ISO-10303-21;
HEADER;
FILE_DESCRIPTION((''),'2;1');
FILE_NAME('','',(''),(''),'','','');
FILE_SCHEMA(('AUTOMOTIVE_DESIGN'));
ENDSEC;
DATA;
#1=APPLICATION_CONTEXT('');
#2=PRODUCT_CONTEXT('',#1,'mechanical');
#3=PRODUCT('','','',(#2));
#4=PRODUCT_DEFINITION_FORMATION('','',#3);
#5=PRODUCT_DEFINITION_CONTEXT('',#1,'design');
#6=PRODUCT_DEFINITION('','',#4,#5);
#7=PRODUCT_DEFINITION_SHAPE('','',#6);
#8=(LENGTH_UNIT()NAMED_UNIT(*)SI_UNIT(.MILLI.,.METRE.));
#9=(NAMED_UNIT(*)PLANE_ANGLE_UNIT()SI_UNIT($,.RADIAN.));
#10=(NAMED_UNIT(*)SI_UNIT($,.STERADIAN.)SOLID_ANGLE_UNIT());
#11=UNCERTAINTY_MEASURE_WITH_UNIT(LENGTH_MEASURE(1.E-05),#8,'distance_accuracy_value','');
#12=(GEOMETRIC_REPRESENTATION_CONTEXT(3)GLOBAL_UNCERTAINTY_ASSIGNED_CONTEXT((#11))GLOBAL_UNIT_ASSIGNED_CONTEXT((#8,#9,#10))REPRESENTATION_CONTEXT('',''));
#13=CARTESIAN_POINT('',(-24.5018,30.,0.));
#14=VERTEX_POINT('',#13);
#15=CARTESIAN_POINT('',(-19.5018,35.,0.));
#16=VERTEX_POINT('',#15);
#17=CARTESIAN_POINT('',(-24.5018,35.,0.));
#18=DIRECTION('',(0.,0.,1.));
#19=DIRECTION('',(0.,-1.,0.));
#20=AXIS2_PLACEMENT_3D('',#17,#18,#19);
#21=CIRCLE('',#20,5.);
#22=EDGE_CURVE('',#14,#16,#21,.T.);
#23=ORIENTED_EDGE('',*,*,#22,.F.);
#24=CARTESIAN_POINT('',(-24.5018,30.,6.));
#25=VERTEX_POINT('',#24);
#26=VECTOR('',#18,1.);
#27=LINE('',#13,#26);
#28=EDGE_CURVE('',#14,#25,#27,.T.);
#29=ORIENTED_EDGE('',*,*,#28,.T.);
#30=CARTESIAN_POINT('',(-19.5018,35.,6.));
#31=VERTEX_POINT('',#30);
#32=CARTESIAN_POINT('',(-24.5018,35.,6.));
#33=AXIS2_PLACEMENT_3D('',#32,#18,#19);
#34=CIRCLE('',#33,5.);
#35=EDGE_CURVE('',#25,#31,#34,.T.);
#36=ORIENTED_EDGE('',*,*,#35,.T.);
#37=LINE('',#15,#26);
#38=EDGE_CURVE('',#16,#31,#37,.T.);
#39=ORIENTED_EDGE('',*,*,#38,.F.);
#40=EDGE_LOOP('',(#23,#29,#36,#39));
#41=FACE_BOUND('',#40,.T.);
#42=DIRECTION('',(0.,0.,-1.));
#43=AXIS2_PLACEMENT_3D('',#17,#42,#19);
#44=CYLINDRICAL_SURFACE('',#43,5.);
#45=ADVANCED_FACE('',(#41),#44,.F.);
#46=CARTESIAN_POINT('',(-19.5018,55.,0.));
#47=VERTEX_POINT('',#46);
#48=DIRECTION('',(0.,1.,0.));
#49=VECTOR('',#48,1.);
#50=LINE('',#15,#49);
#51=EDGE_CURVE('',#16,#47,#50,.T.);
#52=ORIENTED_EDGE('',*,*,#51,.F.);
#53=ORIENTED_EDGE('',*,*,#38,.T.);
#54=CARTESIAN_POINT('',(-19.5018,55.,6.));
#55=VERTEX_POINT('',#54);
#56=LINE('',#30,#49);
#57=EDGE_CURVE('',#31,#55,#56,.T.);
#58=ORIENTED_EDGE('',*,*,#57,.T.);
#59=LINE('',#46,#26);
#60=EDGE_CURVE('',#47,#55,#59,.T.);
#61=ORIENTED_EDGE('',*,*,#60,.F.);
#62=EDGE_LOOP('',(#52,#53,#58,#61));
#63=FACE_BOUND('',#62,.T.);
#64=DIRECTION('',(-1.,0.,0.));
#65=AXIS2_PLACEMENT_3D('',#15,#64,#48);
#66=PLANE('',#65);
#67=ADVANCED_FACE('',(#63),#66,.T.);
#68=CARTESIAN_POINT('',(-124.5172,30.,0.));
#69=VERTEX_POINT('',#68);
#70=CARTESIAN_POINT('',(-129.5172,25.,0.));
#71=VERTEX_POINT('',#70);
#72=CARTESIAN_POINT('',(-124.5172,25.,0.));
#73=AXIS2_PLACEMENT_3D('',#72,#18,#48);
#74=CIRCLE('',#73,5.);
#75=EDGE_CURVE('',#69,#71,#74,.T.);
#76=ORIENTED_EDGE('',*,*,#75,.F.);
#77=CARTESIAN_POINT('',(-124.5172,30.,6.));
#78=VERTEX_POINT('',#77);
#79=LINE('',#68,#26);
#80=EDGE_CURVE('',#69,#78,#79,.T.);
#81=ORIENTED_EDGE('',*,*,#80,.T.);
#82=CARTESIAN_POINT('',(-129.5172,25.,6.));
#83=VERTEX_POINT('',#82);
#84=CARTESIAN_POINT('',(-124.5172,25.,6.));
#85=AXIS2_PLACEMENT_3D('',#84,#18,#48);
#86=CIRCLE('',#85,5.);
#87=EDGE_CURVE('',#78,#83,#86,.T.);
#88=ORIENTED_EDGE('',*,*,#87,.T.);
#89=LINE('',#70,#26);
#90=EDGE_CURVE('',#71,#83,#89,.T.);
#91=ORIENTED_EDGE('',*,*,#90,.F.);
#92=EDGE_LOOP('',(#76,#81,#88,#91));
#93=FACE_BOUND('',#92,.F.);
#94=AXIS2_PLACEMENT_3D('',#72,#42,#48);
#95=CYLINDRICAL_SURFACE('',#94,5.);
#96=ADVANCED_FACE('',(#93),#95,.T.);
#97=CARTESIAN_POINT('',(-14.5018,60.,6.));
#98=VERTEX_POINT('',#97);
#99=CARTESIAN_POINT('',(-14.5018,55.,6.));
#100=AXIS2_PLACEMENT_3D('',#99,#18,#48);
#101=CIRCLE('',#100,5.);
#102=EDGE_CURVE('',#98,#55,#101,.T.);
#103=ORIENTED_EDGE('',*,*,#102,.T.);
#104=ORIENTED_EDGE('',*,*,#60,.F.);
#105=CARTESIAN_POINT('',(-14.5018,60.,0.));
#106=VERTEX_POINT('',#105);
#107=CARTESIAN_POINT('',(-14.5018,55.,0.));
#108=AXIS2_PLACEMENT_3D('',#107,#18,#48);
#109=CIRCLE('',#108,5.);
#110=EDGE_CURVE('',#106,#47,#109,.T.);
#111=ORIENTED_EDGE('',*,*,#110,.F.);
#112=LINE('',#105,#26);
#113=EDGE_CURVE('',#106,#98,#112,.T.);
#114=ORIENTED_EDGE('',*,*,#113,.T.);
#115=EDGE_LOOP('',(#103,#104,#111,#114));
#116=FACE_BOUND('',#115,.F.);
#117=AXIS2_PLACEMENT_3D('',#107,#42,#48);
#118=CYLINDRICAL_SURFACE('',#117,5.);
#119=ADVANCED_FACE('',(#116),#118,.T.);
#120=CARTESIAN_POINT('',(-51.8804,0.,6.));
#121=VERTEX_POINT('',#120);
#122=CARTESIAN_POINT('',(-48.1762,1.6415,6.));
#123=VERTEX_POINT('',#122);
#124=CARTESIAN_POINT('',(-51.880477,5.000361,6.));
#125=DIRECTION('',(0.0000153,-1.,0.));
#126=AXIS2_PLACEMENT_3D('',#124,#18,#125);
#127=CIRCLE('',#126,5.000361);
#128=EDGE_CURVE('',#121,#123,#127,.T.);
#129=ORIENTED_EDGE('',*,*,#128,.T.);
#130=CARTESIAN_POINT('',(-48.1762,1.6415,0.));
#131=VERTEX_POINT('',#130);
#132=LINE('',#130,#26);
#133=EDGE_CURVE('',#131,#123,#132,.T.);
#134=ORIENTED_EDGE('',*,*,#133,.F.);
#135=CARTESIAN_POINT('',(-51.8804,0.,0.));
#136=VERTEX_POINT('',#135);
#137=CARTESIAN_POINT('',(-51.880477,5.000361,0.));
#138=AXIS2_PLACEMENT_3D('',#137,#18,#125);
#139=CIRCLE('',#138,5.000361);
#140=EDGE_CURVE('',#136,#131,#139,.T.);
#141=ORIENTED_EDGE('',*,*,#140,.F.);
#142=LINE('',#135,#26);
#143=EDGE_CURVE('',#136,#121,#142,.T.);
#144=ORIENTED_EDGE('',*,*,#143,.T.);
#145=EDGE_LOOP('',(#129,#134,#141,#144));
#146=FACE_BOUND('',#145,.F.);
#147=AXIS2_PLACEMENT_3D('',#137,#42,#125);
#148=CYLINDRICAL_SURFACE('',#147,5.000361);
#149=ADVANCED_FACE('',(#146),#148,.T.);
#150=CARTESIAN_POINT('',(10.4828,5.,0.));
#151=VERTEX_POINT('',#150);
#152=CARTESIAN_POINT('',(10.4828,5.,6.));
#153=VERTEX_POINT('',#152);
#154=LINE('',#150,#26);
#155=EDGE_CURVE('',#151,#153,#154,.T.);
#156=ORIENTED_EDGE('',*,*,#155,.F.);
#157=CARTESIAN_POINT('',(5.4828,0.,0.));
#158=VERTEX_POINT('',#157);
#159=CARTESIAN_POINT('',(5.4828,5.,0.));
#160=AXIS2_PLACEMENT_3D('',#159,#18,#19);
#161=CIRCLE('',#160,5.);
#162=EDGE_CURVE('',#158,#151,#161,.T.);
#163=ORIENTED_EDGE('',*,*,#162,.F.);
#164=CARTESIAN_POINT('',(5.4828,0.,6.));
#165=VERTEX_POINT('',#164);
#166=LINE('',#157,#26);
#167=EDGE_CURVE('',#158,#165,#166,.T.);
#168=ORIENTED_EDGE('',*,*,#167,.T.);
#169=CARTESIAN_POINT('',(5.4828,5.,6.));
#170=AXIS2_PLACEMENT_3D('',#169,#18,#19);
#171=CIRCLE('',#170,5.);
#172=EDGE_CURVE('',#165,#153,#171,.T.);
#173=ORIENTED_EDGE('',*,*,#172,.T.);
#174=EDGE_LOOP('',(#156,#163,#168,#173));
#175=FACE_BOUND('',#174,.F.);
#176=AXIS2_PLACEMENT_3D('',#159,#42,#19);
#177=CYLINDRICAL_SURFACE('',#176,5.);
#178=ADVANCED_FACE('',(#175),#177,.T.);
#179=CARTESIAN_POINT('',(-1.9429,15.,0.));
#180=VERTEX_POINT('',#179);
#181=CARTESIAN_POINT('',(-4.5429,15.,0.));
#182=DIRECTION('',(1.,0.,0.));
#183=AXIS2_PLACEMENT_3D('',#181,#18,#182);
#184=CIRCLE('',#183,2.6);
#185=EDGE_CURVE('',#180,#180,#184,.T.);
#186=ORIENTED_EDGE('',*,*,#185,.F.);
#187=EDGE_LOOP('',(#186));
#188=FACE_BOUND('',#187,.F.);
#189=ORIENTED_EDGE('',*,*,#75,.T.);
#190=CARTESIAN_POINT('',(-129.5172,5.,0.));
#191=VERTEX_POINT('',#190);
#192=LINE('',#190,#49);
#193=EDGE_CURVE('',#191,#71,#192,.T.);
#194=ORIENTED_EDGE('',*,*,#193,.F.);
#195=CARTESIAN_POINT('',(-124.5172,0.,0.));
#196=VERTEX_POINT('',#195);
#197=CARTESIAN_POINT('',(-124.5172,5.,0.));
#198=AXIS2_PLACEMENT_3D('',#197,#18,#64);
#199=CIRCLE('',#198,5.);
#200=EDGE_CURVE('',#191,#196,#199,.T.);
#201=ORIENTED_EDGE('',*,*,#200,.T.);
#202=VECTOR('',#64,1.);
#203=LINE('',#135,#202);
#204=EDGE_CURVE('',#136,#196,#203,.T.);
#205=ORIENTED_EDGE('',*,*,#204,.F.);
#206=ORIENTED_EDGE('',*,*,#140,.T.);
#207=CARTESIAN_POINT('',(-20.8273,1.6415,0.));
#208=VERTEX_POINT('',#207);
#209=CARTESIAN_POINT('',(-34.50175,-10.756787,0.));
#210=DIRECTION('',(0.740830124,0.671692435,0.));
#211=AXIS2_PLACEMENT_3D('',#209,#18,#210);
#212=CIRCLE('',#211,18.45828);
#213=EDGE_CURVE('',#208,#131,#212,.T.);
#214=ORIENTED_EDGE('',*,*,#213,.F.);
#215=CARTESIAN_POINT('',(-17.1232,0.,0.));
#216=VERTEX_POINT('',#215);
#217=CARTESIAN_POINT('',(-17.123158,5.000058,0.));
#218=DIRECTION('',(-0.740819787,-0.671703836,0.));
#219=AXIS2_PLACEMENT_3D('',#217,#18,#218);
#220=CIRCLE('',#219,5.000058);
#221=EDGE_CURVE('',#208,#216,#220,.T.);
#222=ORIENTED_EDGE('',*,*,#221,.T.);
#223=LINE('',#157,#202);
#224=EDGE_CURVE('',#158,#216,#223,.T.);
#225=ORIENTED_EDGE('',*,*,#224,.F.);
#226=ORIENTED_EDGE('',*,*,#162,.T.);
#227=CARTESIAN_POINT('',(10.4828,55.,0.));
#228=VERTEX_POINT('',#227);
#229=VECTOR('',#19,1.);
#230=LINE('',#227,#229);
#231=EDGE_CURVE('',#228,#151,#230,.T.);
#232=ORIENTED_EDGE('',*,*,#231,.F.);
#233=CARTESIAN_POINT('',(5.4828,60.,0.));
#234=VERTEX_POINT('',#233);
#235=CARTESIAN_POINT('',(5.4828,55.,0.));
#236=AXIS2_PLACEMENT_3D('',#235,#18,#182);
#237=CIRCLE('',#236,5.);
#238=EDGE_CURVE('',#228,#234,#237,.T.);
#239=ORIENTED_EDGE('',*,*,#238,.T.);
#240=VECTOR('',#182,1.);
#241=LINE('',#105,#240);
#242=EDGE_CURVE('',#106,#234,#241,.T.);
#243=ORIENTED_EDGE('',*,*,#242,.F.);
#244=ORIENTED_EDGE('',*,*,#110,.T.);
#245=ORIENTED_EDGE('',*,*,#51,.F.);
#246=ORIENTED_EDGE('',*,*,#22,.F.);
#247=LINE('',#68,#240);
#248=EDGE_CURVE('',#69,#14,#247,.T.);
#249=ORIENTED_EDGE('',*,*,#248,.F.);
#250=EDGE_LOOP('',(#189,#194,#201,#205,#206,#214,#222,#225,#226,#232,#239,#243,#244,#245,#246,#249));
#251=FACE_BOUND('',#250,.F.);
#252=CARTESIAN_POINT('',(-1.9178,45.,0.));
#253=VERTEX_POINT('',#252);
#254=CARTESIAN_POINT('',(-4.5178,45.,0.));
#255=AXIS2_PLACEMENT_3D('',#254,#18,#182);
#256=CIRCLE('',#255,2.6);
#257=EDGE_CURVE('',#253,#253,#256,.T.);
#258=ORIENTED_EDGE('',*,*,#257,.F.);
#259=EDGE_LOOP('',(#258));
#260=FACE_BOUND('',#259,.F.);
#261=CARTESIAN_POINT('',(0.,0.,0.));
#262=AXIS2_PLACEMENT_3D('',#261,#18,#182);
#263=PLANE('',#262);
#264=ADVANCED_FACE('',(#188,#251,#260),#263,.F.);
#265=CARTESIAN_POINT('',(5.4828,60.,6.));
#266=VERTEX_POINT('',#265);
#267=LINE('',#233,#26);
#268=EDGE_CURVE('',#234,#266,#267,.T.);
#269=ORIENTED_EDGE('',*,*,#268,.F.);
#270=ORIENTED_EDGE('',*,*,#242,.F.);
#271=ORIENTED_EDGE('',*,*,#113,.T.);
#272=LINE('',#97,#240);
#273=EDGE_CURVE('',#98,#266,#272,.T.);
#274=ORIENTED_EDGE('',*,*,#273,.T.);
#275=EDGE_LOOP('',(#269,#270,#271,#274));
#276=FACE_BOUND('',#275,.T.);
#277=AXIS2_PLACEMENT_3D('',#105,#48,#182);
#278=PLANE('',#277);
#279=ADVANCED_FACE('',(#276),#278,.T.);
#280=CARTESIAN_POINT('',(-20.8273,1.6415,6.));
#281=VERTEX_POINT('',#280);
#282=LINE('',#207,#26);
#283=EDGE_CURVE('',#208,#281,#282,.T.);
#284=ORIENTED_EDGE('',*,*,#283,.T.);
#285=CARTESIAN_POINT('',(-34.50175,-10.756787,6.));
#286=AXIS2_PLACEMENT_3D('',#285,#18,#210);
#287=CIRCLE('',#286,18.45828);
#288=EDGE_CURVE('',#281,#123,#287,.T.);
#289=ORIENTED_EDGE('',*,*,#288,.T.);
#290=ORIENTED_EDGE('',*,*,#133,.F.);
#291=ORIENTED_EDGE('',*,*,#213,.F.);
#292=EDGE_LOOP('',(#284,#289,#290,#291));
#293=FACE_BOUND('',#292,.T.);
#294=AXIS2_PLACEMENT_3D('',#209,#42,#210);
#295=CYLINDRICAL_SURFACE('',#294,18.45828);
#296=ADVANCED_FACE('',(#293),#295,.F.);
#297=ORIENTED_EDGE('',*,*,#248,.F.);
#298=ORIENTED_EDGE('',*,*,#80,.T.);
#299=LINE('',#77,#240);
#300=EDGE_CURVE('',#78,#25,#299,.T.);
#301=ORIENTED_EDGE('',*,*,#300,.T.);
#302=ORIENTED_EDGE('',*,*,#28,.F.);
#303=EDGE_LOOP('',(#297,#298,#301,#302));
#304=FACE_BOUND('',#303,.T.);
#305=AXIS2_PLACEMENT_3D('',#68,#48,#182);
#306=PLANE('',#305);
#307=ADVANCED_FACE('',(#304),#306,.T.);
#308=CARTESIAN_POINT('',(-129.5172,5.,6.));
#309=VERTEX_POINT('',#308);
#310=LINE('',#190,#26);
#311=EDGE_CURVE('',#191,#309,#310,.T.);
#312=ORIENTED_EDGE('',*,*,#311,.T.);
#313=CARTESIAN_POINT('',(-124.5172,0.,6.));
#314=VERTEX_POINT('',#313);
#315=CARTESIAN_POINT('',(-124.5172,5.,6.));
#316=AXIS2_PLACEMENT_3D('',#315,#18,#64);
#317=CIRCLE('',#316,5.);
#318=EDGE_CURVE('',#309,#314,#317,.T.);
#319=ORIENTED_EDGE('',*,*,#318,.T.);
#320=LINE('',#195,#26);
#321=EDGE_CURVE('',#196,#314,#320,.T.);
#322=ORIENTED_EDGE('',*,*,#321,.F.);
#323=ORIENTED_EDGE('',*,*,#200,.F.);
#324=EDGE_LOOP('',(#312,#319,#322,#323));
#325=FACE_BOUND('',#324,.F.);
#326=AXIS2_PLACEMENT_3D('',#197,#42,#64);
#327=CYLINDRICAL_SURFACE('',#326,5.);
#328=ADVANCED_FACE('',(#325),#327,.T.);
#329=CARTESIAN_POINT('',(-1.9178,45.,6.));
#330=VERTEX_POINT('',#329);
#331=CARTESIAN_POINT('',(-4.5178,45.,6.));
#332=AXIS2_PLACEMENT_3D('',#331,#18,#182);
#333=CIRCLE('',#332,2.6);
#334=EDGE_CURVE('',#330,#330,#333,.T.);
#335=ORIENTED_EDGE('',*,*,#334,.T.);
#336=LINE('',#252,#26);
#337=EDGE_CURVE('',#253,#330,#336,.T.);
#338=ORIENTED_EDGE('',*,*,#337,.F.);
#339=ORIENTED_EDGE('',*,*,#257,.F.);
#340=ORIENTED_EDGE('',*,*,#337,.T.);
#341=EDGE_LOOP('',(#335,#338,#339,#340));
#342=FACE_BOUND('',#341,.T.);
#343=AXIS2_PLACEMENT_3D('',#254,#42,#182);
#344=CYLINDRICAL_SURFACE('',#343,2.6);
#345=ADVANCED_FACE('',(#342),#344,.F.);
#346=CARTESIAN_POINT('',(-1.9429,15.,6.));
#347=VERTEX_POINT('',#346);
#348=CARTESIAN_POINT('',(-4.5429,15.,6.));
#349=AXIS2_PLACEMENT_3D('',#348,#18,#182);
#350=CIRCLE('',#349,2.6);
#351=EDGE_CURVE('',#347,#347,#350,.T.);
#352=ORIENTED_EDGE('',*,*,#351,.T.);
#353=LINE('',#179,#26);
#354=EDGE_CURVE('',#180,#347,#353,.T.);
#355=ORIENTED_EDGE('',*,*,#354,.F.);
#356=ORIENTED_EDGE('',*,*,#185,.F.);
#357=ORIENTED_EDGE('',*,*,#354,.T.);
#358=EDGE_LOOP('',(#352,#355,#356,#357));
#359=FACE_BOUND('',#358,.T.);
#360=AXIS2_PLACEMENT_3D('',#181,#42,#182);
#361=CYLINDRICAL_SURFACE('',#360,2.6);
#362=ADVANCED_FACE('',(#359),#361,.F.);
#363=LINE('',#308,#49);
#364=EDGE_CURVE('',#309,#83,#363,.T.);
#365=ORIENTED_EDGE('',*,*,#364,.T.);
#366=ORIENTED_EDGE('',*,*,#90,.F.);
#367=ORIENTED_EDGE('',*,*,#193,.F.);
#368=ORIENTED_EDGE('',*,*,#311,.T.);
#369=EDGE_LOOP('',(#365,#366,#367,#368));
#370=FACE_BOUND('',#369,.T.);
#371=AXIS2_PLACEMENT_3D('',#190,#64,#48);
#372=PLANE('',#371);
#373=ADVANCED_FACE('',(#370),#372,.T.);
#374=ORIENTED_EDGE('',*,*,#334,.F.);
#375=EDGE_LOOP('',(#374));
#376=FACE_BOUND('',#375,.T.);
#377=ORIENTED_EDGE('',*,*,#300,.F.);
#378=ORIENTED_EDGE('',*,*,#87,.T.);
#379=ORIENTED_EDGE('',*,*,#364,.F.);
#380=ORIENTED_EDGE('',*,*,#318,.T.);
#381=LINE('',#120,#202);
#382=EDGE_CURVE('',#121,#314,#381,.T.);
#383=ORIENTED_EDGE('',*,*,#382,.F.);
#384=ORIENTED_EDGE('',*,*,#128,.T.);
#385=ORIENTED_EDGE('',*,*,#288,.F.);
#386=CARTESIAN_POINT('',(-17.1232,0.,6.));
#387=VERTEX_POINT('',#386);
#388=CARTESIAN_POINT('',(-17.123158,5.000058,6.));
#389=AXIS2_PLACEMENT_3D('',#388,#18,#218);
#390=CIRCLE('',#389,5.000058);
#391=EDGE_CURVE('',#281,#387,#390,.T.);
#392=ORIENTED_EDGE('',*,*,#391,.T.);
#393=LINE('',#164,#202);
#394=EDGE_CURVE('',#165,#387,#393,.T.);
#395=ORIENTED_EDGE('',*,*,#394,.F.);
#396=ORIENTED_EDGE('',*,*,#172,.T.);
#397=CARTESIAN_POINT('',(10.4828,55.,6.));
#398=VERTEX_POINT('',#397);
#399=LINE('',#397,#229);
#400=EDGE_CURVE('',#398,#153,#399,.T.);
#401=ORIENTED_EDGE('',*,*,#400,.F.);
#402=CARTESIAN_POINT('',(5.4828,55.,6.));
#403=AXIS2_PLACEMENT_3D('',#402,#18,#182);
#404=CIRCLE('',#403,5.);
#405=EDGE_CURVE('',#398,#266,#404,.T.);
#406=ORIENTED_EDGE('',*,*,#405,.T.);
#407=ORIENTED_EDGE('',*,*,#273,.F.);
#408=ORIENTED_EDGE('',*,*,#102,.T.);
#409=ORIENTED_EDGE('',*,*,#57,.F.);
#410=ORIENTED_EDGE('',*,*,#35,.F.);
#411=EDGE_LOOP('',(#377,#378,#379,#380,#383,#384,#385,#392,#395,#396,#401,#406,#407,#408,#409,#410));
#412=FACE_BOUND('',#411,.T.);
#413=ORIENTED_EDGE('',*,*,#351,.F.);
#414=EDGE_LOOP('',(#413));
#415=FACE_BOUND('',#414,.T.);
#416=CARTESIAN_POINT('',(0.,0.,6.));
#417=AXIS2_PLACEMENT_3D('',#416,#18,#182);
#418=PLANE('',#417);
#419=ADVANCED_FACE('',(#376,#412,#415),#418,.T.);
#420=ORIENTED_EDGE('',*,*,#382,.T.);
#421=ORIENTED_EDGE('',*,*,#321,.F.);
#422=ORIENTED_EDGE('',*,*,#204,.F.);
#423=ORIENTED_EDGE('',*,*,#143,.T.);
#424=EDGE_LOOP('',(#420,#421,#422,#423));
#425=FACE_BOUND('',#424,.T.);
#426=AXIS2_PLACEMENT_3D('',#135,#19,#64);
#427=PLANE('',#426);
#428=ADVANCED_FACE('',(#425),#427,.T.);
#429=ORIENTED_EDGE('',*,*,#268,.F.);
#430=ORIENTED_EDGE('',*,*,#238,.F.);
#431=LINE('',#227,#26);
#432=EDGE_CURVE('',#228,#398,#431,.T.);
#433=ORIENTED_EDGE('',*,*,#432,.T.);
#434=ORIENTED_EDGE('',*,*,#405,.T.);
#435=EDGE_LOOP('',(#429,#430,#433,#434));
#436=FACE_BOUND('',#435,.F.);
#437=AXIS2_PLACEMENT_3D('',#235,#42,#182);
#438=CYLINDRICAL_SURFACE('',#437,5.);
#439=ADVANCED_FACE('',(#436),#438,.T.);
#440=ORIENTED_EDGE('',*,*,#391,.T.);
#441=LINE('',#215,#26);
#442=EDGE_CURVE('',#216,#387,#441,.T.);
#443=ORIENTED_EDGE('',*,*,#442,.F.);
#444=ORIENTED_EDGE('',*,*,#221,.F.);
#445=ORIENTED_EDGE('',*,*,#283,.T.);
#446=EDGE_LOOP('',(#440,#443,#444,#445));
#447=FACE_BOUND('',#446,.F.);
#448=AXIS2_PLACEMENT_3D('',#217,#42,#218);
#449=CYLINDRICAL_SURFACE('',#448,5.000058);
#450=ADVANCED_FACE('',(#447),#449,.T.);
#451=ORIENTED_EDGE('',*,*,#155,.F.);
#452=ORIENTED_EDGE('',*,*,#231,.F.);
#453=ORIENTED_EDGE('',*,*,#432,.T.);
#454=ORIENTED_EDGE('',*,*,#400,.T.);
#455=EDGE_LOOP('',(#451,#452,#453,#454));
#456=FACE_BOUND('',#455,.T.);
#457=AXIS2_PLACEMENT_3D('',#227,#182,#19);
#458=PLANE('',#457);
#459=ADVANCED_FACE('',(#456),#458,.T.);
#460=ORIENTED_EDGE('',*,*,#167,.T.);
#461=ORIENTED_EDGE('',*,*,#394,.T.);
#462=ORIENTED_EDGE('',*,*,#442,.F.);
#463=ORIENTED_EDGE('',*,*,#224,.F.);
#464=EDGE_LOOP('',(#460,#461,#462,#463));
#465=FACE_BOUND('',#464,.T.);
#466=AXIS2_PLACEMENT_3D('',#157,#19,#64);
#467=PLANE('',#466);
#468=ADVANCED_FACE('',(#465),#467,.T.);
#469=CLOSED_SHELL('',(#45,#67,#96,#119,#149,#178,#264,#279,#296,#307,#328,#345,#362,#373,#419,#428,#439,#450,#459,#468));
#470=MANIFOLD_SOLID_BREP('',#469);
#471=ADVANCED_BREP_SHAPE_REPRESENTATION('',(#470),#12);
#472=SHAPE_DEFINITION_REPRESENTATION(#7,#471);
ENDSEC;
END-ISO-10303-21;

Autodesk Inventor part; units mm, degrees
ref_plane "YZ Plane" through (0, 0, 0) normal (1, 0, 0) x (0, 1, 0)
ref_plane "XZ Plane" through (0, 0, 0) normal (0, 1, 0) x (-1, 0, 0)
ref_plane "XY Plane" through (0, 0, 0) normal (0, 0, 1) x (1, 0, 0)
sketch "Sketch1" plane through (0, 0, 0) normal (0, 0, 1) x (1, 0, 0)
  line L0 (5.4828, 0) -> (-17.1232, 0)
  line L1 (-129.5172, 5) -> (-129.5172, 25)
  line L2 (-14.5018, 60) -> (5.4828, 60)
  line L3 (10.4828, 55) -> (10.4828, 5)
  arc A0 (-20.8273, 1.6415) -> (-48.1762, 1.6415) centre (-34.5018, -10.7569) ccw
  line L4 (-129.5172, 5) -> (-129.5172, 25)
  line L5 (-124.5172, 30) -> (-24.5018, 30)
  line L6 (-19.5018, 35) -> (-19.5018, 55)
  arc A1 (-24.5018, 30) -> (-19.5018, 35) centre (-24.5018, 35) ccw
  arc A2 (10.4828, 55) -> (5.4828, 60) centre (5.4828, 55) ccw
  arc A3 (5.4828, 0) -> (10.4828, 5) centre (5.4828, 5) ccw
  arc A4 (-129.5172, 5) -> (-124.5172, 0) centre (-124.5172, 5) ccw
  arc A5 (-124.5172, 30) -> (-129.5172, 25) centre (-124.5172, 25) ccw
  arc A6 (-14.5018, 60) -> (-19.5018, 55) centre (-14.5018, 55) ccw
  arc A7 (-20.8273, 1.6415) -> (-17.1232, 0) centre (-17.1232, 5) ccw
  line L7 (-51.8804, 0) -> (-124.5172, 0)
  arc A8 (-51.8804, 0) -> (-48.1762, 1.6415) centre (-51.8804, 5) ccw
  line L8 (-4.5095, 60) -> (-4.5429, 0) construction
  line L9 (-4.5429, 0) -> (10.4571, 0) construction
  circle A9 centre (-4.5429, 15) radius 2.6
  circle A10 centre (-4.5178, 45) radius 2.6
  point P0 (0, 0)
  point P1 (10.4828, 60)
  point P2 (-129.5172, 30)
  dimension "d5" = 5
  dimension "d6" = 5
  dimension "d8" = 5
  dimension "d9" = 5
  dimension "d10" = 5
  dimension "d11" = 5
  dimension "d12" = 5
  dimension "d14" = 60
  dimension "d18" = 5.2
  dimension "d19" = 5.2
extrude "Extrusion1" add sketch "Sketch1" along normal blind 6
properties part number "Spool Holder"
